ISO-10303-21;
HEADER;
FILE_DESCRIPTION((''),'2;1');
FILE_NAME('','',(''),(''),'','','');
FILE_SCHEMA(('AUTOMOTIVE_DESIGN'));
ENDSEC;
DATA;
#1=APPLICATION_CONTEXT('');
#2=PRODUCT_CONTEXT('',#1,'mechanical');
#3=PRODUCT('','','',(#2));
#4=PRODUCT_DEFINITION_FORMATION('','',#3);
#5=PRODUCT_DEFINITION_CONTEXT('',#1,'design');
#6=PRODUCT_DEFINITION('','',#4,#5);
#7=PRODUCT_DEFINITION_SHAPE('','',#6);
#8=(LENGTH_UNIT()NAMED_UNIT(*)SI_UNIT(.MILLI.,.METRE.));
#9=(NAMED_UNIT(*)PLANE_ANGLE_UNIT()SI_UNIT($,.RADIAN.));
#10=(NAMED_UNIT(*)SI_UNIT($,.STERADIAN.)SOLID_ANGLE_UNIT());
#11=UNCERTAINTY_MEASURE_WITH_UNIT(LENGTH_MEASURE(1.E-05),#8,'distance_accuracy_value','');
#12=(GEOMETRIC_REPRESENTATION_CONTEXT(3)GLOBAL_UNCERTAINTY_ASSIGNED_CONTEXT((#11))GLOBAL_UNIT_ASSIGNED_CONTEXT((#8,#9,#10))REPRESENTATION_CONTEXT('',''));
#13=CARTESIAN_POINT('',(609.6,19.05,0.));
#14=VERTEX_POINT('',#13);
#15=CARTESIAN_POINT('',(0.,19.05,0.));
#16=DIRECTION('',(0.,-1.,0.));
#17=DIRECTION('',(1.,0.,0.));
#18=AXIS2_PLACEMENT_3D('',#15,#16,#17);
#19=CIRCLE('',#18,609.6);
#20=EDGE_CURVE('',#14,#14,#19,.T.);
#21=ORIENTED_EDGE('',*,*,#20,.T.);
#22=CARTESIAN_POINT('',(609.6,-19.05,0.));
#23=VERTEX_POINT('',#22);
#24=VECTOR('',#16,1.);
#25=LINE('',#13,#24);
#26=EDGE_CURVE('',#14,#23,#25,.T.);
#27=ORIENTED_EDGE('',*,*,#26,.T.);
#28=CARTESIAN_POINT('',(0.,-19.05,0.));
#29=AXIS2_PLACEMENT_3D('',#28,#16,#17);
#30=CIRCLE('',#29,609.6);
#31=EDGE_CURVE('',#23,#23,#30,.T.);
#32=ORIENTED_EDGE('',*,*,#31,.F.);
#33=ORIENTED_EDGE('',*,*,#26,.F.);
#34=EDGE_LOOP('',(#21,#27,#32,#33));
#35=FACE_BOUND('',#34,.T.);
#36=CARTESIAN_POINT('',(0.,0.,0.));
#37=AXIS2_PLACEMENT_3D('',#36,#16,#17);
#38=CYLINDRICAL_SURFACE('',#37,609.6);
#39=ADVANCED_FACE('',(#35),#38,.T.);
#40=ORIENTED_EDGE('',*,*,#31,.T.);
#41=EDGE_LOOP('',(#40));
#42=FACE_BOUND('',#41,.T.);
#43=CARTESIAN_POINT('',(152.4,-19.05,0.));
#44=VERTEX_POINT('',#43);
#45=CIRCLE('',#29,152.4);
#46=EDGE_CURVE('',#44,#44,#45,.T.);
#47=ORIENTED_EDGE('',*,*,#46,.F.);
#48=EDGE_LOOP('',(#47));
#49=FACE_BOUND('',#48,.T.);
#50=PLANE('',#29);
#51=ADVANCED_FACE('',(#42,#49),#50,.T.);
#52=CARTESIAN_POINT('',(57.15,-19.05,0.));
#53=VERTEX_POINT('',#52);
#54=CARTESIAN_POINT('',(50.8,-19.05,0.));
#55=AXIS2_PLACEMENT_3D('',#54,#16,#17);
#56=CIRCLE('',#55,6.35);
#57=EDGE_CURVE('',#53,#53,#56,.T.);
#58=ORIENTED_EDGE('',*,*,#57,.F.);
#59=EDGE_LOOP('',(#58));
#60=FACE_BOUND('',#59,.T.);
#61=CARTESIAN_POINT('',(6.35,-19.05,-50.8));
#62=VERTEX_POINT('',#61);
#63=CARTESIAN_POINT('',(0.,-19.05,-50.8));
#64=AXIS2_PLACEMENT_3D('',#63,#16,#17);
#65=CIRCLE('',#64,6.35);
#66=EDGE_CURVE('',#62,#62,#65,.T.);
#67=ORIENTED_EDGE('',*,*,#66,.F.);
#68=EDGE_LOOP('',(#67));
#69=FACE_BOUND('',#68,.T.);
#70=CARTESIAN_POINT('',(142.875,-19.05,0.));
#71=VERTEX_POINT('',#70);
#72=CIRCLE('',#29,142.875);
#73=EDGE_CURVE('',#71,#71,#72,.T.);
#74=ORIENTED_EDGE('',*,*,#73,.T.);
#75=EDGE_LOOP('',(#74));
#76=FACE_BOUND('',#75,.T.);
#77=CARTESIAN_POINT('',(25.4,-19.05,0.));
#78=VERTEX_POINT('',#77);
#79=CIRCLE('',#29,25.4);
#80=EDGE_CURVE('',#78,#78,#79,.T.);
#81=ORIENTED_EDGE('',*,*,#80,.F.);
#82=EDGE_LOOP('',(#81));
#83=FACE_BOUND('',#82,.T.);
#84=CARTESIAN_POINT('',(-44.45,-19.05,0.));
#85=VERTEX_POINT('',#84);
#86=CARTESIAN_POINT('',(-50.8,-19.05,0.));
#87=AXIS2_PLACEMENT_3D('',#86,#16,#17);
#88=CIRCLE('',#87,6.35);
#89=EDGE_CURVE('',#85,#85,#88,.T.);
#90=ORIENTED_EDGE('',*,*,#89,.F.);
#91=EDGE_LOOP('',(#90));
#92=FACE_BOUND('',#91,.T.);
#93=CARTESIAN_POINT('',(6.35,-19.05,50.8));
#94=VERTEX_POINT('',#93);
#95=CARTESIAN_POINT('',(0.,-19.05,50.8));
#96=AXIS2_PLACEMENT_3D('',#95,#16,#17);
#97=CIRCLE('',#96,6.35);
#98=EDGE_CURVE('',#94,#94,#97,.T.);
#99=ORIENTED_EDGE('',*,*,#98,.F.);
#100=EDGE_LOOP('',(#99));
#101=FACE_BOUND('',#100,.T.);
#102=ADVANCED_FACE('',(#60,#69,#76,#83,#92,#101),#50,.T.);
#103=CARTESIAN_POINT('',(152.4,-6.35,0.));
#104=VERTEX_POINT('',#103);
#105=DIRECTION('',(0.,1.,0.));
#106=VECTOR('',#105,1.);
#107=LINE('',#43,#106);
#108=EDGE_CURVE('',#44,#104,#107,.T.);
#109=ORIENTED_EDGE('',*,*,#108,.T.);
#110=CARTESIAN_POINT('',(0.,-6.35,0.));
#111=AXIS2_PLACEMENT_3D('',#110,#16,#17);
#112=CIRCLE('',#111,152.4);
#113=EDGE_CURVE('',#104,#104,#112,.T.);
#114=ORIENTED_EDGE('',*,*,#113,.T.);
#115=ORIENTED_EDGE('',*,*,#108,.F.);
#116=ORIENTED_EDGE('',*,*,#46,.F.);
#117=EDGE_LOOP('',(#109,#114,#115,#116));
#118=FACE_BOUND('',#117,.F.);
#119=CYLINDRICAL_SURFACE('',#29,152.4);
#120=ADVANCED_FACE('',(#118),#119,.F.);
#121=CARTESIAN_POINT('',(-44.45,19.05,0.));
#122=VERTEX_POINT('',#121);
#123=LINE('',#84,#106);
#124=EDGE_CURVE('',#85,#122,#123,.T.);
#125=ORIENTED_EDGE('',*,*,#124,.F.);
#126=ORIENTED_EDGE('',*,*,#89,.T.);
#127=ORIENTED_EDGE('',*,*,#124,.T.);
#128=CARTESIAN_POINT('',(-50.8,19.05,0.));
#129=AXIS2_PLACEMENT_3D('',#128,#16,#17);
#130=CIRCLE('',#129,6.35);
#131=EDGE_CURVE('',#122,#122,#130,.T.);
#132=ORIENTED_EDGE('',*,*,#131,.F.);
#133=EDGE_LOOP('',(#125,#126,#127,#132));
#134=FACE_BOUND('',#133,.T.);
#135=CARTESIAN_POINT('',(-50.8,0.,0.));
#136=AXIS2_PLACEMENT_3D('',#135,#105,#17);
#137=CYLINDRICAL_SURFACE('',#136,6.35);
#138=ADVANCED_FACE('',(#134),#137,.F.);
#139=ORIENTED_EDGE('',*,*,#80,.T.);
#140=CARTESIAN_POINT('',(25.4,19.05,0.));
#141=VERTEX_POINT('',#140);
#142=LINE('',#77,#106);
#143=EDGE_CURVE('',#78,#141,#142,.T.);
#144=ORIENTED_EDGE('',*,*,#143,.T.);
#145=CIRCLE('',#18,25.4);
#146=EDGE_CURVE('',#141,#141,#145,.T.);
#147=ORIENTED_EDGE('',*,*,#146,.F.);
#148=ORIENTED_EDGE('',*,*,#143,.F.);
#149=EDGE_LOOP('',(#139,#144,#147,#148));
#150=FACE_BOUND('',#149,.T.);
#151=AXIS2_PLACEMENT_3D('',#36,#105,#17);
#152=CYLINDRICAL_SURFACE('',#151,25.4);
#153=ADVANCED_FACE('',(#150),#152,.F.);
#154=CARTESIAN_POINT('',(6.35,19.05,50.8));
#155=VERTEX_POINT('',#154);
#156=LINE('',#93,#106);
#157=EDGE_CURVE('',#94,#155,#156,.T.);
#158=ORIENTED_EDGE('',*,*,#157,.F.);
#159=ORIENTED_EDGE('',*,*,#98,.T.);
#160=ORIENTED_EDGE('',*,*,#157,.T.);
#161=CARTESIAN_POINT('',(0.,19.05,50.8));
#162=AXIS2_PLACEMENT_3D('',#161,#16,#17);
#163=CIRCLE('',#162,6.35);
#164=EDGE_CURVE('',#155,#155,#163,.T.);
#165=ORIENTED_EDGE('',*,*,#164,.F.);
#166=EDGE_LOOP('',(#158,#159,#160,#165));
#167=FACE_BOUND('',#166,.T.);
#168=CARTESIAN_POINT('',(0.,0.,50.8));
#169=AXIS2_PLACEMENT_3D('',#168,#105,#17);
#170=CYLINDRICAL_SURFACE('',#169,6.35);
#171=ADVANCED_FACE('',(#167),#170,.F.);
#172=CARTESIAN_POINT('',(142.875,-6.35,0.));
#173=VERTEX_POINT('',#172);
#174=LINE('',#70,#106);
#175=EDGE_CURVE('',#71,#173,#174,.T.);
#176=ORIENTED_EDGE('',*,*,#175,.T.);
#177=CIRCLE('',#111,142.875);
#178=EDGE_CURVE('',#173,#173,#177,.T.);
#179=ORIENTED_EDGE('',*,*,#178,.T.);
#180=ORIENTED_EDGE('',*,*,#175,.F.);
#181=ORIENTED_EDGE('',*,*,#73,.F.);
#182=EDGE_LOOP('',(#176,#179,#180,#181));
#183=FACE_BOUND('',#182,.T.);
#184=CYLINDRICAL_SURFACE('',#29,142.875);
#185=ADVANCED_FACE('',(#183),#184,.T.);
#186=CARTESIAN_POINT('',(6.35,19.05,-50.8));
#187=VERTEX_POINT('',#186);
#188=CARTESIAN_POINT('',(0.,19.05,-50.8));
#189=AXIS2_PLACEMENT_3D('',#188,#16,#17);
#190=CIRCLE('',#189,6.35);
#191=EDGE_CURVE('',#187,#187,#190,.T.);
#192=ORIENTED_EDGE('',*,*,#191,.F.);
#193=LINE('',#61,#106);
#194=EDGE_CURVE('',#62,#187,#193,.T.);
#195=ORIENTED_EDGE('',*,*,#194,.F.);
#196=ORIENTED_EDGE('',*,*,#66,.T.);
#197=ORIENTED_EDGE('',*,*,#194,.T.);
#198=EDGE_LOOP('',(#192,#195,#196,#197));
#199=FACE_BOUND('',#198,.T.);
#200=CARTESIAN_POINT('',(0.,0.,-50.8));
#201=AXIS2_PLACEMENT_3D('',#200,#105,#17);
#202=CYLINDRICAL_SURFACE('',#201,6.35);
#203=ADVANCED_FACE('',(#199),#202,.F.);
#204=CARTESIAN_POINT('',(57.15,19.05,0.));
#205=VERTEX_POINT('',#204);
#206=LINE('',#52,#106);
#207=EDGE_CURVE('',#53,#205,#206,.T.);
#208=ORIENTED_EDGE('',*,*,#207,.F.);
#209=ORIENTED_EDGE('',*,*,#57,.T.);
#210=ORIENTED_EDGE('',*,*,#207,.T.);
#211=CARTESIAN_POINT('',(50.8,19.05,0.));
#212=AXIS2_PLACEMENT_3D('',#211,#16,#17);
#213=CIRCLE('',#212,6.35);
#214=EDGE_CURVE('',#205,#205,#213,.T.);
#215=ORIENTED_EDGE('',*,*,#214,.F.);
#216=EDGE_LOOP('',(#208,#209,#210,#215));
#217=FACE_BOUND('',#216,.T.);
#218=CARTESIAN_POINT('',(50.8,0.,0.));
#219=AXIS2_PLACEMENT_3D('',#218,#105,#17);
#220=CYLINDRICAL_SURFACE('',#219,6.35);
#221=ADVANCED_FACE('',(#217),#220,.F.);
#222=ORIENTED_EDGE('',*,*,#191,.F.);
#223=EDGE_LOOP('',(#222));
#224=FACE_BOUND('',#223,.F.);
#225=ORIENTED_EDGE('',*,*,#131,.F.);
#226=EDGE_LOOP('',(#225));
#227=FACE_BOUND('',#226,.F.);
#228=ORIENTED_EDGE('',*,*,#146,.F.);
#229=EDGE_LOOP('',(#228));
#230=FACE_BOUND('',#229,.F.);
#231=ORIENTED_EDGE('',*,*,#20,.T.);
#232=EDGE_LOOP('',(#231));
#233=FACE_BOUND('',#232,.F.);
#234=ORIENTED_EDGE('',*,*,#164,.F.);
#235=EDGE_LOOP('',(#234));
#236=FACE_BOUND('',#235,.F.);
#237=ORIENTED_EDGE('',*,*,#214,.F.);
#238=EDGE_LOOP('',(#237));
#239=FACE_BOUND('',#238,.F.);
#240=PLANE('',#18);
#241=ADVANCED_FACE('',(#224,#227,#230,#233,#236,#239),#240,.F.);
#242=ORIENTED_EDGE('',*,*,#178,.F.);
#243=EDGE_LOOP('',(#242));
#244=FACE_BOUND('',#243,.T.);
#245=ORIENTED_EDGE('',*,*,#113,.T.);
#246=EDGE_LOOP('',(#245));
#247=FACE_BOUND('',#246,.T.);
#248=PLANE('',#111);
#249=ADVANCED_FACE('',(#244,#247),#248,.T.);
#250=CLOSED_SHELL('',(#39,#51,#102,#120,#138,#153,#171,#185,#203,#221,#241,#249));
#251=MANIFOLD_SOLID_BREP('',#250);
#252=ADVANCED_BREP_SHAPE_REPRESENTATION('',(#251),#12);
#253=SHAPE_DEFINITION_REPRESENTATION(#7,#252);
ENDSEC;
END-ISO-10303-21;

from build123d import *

# Parameters (mm, degrees)
F0_R     = 609.6
F0_R_2   = 6.35
F0_R_3   = 25.4
F1_DEPTH = 19.05
F2_R     = 152.4
F2_R_2   = 142.875
F3_DEPTH = 12.7


with BuildPart() as f1:
    # F0 (on Front) → F1 (new body, symmetric)
    with BuildSketch(Plane.XZ):
        Circle(F0_R)
        with Locations((0, -50.8)):
            Circle(F0_R_2, mode=Mode.SUBTRACT)
        with Locations((-50.8, 0)):
            Circle(F0_R_2, mode=Mode.SUBTRACT)
        Circle(F0_R_3, mode=Mode.SUBTRACT)
        with Locations((50.8, 0)):
            Circle(F0_R_2, mode=Mode.SUBTRACT)
        with Locations((0, 50.8)):
            Circle(F0_R_2, mode=Mode.SUBTRACT)
    extrude(amount=F1_DEPTH, both=True)

    # F2 (on face) → F3 (cut)
    with BuildSketch(Plane.XZ.offset(19.05)):
        Circle(F2_R)
        Circle(F2_R_2, mode=Mode.SUBTRACT)
    extrude(amount=-F3_DEPTH, mode=Mode.SUBTRACT)


solid = f1.part
